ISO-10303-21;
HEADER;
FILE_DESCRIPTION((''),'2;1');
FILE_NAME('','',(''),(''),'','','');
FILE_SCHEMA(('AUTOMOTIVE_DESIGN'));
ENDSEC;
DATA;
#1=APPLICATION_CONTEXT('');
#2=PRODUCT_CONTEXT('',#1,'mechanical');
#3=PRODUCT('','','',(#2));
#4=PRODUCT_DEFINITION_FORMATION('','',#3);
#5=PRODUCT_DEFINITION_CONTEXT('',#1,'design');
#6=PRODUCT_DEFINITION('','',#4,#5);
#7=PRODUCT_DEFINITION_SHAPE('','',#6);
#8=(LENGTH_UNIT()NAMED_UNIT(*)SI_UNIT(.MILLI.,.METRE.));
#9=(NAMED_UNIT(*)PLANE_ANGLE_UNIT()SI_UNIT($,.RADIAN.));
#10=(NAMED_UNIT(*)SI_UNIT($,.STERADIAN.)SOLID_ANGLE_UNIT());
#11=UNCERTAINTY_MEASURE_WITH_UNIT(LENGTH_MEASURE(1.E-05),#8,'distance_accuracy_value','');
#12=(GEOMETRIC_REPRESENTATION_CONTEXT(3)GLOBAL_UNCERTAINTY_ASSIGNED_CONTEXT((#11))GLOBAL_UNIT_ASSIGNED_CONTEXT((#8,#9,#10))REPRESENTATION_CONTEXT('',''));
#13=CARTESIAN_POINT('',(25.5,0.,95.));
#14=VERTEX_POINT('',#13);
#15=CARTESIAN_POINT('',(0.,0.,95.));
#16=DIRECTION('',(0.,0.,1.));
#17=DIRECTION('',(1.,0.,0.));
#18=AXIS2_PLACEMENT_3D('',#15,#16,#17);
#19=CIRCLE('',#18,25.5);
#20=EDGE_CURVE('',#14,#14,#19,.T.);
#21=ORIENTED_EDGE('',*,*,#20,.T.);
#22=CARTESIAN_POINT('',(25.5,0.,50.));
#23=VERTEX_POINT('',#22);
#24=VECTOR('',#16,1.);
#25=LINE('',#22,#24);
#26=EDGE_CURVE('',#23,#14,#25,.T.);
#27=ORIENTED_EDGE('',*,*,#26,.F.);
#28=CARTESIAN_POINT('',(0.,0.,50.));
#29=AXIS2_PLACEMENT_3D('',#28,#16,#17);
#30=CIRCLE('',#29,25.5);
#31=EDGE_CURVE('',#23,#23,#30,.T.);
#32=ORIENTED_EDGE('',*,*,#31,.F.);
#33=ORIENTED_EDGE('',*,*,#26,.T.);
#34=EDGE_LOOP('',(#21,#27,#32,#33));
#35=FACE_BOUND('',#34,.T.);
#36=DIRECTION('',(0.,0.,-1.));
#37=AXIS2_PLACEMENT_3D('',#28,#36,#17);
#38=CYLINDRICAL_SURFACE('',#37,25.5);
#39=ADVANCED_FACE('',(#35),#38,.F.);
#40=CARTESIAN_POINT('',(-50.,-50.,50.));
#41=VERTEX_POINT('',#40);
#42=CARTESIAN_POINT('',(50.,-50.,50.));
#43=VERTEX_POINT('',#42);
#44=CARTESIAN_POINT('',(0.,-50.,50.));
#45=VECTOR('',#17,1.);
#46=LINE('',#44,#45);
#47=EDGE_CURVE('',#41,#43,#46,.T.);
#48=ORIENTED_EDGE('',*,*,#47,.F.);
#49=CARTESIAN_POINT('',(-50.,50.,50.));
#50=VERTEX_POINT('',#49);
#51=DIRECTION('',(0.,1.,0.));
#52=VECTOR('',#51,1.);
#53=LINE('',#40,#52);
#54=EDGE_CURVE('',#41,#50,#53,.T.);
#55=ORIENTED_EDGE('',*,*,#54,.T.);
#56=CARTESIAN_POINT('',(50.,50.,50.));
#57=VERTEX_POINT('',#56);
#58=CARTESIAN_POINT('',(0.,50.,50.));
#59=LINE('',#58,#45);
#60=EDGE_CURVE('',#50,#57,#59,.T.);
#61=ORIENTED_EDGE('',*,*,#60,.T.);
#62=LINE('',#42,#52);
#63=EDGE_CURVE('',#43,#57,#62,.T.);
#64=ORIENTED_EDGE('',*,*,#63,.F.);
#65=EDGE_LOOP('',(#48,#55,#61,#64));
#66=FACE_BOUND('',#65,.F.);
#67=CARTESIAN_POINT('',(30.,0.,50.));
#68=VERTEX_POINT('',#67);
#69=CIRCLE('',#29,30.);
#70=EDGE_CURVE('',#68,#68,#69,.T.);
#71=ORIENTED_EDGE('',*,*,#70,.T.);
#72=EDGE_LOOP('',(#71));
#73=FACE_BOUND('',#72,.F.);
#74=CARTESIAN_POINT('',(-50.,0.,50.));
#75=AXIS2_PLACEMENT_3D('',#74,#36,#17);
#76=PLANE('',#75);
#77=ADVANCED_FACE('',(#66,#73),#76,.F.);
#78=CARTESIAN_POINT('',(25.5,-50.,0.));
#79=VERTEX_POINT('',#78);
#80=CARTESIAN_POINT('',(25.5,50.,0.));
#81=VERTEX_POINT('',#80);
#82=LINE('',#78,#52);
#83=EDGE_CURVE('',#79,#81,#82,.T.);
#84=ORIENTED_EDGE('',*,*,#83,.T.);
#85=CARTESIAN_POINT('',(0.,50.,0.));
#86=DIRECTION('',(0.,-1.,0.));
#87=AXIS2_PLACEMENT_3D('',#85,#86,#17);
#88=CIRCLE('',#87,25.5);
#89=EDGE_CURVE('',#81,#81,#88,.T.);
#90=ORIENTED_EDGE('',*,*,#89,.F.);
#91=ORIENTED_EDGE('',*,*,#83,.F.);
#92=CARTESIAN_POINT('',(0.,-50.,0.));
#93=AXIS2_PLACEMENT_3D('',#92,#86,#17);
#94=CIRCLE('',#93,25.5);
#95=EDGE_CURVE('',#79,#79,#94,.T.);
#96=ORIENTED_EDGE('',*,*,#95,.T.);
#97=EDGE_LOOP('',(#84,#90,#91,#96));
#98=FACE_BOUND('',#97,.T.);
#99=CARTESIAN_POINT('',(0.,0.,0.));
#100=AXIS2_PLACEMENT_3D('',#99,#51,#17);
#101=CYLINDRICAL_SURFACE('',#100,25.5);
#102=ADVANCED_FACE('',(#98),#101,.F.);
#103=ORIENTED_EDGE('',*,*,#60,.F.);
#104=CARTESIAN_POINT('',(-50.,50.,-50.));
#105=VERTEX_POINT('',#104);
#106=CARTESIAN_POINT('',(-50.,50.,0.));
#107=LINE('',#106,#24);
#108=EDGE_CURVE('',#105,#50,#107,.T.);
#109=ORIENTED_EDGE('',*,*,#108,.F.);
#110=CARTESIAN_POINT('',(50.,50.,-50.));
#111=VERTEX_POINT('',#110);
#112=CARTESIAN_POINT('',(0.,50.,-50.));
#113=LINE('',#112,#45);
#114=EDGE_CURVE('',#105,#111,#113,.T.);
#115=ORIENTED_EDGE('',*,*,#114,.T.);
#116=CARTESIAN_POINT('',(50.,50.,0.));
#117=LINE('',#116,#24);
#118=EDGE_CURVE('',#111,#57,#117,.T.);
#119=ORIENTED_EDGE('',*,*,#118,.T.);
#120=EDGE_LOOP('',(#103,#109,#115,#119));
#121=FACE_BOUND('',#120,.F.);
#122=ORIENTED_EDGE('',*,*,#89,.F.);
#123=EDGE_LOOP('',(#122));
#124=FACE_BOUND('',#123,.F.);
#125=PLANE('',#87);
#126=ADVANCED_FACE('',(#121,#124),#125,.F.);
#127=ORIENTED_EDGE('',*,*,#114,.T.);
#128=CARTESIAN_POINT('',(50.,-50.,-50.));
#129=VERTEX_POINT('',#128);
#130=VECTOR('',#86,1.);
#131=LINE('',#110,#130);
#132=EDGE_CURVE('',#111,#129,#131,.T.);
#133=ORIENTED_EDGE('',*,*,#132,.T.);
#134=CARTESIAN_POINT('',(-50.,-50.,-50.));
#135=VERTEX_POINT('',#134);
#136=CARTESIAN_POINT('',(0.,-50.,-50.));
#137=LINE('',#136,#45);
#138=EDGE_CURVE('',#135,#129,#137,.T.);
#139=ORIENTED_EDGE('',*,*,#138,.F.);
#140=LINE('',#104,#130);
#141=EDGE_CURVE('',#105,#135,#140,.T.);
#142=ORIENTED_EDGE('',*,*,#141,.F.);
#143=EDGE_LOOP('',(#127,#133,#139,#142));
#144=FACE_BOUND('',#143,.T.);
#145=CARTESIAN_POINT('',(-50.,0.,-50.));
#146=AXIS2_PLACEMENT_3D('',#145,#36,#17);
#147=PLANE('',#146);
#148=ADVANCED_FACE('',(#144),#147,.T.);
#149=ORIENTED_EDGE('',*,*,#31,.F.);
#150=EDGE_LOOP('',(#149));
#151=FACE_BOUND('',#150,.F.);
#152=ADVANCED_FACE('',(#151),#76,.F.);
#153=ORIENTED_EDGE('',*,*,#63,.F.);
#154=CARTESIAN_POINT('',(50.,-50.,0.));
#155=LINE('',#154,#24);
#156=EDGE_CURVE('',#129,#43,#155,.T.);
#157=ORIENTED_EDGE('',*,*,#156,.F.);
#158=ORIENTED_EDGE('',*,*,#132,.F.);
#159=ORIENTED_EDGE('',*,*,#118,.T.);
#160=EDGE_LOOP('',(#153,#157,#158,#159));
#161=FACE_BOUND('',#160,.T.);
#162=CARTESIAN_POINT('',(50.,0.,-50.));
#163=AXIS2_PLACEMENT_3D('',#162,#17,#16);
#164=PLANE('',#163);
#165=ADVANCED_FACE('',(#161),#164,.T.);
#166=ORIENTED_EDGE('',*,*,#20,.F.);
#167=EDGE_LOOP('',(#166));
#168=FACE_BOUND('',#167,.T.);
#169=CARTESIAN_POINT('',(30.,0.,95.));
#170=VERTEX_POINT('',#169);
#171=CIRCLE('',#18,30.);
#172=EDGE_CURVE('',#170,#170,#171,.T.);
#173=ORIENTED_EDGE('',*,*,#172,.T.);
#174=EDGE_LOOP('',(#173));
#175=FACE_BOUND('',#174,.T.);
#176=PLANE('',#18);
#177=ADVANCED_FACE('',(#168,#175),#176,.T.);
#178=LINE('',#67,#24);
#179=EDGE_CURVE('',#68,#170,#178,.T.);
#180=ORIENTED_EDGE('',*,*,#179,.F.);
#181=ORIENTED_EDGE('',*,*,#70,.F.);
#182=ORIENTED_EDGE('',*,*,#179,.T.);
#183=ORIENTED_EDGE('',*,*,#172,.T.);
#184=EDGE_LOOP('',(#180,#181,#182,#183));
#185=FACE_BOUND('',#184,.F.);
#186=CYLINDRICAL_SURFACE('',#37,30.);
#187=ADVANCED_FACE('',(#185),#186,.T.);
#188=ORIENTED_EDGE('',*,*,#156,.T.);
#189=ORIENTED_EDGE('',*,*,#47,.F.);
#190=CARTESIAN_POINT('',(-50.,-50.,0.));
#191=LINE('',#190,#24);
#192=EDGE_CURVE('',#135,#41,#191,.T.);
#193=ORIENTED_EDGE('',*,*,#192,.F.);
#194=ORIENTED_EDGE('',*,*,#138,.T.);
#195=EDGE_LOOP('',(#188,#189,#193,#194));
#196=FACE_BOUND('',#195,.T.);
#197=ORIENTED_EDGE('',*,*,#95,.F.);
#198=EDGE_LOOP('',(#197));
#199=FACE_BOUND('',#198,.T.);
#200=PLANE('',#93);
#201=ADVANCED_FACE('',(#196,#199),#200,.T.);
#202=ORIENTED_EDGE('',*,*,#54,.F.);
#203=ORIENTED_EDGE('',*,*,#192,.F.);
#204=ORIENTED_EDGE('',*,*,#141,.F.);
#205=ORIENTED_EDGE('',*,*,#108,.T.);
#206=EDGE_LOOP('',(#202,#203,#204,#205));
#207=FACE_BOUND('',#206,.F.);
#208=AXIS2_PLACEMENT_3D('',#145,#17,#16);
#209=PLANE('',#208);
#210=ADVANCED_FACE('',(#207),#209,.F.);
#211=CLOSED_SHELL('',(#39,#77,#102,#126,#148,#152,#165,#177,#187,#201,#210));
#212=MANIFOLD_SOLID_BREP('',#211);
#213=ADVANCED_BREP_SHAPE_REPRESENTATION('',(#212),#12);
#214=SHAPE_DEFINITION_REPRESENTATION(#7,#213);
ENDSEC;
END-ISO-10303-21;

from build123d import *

# Parameters (mm, degrees)
F0_W     = 100
F0_H     = 100
F0_R     = 25.5
F1_DEPTH = 50
F2_R     = 30
F2_R_2   = 25.5
F3_DEPTH = 45


with BuildPart() as f1:
    # F0 (on Front) → F1 (new body, symmetric)
    with BuildSketch(Plane.XZ):
        Rectangle(F0_W, F0_H)
        Circle(F0_R, mode=Mode.SUBTRACT)
    extrude(amount=F1_DEPTH, both=True)

    # F2 (on face) → F3 (join)
    with BuildSketch(Plane.XY.offset(50)):
        Circle(F2_R)
        Circle(F2_R_2, mode=Mode.SUBTRACT)
    extrude(amount=F3_DEPTH)


solid = f1.part
